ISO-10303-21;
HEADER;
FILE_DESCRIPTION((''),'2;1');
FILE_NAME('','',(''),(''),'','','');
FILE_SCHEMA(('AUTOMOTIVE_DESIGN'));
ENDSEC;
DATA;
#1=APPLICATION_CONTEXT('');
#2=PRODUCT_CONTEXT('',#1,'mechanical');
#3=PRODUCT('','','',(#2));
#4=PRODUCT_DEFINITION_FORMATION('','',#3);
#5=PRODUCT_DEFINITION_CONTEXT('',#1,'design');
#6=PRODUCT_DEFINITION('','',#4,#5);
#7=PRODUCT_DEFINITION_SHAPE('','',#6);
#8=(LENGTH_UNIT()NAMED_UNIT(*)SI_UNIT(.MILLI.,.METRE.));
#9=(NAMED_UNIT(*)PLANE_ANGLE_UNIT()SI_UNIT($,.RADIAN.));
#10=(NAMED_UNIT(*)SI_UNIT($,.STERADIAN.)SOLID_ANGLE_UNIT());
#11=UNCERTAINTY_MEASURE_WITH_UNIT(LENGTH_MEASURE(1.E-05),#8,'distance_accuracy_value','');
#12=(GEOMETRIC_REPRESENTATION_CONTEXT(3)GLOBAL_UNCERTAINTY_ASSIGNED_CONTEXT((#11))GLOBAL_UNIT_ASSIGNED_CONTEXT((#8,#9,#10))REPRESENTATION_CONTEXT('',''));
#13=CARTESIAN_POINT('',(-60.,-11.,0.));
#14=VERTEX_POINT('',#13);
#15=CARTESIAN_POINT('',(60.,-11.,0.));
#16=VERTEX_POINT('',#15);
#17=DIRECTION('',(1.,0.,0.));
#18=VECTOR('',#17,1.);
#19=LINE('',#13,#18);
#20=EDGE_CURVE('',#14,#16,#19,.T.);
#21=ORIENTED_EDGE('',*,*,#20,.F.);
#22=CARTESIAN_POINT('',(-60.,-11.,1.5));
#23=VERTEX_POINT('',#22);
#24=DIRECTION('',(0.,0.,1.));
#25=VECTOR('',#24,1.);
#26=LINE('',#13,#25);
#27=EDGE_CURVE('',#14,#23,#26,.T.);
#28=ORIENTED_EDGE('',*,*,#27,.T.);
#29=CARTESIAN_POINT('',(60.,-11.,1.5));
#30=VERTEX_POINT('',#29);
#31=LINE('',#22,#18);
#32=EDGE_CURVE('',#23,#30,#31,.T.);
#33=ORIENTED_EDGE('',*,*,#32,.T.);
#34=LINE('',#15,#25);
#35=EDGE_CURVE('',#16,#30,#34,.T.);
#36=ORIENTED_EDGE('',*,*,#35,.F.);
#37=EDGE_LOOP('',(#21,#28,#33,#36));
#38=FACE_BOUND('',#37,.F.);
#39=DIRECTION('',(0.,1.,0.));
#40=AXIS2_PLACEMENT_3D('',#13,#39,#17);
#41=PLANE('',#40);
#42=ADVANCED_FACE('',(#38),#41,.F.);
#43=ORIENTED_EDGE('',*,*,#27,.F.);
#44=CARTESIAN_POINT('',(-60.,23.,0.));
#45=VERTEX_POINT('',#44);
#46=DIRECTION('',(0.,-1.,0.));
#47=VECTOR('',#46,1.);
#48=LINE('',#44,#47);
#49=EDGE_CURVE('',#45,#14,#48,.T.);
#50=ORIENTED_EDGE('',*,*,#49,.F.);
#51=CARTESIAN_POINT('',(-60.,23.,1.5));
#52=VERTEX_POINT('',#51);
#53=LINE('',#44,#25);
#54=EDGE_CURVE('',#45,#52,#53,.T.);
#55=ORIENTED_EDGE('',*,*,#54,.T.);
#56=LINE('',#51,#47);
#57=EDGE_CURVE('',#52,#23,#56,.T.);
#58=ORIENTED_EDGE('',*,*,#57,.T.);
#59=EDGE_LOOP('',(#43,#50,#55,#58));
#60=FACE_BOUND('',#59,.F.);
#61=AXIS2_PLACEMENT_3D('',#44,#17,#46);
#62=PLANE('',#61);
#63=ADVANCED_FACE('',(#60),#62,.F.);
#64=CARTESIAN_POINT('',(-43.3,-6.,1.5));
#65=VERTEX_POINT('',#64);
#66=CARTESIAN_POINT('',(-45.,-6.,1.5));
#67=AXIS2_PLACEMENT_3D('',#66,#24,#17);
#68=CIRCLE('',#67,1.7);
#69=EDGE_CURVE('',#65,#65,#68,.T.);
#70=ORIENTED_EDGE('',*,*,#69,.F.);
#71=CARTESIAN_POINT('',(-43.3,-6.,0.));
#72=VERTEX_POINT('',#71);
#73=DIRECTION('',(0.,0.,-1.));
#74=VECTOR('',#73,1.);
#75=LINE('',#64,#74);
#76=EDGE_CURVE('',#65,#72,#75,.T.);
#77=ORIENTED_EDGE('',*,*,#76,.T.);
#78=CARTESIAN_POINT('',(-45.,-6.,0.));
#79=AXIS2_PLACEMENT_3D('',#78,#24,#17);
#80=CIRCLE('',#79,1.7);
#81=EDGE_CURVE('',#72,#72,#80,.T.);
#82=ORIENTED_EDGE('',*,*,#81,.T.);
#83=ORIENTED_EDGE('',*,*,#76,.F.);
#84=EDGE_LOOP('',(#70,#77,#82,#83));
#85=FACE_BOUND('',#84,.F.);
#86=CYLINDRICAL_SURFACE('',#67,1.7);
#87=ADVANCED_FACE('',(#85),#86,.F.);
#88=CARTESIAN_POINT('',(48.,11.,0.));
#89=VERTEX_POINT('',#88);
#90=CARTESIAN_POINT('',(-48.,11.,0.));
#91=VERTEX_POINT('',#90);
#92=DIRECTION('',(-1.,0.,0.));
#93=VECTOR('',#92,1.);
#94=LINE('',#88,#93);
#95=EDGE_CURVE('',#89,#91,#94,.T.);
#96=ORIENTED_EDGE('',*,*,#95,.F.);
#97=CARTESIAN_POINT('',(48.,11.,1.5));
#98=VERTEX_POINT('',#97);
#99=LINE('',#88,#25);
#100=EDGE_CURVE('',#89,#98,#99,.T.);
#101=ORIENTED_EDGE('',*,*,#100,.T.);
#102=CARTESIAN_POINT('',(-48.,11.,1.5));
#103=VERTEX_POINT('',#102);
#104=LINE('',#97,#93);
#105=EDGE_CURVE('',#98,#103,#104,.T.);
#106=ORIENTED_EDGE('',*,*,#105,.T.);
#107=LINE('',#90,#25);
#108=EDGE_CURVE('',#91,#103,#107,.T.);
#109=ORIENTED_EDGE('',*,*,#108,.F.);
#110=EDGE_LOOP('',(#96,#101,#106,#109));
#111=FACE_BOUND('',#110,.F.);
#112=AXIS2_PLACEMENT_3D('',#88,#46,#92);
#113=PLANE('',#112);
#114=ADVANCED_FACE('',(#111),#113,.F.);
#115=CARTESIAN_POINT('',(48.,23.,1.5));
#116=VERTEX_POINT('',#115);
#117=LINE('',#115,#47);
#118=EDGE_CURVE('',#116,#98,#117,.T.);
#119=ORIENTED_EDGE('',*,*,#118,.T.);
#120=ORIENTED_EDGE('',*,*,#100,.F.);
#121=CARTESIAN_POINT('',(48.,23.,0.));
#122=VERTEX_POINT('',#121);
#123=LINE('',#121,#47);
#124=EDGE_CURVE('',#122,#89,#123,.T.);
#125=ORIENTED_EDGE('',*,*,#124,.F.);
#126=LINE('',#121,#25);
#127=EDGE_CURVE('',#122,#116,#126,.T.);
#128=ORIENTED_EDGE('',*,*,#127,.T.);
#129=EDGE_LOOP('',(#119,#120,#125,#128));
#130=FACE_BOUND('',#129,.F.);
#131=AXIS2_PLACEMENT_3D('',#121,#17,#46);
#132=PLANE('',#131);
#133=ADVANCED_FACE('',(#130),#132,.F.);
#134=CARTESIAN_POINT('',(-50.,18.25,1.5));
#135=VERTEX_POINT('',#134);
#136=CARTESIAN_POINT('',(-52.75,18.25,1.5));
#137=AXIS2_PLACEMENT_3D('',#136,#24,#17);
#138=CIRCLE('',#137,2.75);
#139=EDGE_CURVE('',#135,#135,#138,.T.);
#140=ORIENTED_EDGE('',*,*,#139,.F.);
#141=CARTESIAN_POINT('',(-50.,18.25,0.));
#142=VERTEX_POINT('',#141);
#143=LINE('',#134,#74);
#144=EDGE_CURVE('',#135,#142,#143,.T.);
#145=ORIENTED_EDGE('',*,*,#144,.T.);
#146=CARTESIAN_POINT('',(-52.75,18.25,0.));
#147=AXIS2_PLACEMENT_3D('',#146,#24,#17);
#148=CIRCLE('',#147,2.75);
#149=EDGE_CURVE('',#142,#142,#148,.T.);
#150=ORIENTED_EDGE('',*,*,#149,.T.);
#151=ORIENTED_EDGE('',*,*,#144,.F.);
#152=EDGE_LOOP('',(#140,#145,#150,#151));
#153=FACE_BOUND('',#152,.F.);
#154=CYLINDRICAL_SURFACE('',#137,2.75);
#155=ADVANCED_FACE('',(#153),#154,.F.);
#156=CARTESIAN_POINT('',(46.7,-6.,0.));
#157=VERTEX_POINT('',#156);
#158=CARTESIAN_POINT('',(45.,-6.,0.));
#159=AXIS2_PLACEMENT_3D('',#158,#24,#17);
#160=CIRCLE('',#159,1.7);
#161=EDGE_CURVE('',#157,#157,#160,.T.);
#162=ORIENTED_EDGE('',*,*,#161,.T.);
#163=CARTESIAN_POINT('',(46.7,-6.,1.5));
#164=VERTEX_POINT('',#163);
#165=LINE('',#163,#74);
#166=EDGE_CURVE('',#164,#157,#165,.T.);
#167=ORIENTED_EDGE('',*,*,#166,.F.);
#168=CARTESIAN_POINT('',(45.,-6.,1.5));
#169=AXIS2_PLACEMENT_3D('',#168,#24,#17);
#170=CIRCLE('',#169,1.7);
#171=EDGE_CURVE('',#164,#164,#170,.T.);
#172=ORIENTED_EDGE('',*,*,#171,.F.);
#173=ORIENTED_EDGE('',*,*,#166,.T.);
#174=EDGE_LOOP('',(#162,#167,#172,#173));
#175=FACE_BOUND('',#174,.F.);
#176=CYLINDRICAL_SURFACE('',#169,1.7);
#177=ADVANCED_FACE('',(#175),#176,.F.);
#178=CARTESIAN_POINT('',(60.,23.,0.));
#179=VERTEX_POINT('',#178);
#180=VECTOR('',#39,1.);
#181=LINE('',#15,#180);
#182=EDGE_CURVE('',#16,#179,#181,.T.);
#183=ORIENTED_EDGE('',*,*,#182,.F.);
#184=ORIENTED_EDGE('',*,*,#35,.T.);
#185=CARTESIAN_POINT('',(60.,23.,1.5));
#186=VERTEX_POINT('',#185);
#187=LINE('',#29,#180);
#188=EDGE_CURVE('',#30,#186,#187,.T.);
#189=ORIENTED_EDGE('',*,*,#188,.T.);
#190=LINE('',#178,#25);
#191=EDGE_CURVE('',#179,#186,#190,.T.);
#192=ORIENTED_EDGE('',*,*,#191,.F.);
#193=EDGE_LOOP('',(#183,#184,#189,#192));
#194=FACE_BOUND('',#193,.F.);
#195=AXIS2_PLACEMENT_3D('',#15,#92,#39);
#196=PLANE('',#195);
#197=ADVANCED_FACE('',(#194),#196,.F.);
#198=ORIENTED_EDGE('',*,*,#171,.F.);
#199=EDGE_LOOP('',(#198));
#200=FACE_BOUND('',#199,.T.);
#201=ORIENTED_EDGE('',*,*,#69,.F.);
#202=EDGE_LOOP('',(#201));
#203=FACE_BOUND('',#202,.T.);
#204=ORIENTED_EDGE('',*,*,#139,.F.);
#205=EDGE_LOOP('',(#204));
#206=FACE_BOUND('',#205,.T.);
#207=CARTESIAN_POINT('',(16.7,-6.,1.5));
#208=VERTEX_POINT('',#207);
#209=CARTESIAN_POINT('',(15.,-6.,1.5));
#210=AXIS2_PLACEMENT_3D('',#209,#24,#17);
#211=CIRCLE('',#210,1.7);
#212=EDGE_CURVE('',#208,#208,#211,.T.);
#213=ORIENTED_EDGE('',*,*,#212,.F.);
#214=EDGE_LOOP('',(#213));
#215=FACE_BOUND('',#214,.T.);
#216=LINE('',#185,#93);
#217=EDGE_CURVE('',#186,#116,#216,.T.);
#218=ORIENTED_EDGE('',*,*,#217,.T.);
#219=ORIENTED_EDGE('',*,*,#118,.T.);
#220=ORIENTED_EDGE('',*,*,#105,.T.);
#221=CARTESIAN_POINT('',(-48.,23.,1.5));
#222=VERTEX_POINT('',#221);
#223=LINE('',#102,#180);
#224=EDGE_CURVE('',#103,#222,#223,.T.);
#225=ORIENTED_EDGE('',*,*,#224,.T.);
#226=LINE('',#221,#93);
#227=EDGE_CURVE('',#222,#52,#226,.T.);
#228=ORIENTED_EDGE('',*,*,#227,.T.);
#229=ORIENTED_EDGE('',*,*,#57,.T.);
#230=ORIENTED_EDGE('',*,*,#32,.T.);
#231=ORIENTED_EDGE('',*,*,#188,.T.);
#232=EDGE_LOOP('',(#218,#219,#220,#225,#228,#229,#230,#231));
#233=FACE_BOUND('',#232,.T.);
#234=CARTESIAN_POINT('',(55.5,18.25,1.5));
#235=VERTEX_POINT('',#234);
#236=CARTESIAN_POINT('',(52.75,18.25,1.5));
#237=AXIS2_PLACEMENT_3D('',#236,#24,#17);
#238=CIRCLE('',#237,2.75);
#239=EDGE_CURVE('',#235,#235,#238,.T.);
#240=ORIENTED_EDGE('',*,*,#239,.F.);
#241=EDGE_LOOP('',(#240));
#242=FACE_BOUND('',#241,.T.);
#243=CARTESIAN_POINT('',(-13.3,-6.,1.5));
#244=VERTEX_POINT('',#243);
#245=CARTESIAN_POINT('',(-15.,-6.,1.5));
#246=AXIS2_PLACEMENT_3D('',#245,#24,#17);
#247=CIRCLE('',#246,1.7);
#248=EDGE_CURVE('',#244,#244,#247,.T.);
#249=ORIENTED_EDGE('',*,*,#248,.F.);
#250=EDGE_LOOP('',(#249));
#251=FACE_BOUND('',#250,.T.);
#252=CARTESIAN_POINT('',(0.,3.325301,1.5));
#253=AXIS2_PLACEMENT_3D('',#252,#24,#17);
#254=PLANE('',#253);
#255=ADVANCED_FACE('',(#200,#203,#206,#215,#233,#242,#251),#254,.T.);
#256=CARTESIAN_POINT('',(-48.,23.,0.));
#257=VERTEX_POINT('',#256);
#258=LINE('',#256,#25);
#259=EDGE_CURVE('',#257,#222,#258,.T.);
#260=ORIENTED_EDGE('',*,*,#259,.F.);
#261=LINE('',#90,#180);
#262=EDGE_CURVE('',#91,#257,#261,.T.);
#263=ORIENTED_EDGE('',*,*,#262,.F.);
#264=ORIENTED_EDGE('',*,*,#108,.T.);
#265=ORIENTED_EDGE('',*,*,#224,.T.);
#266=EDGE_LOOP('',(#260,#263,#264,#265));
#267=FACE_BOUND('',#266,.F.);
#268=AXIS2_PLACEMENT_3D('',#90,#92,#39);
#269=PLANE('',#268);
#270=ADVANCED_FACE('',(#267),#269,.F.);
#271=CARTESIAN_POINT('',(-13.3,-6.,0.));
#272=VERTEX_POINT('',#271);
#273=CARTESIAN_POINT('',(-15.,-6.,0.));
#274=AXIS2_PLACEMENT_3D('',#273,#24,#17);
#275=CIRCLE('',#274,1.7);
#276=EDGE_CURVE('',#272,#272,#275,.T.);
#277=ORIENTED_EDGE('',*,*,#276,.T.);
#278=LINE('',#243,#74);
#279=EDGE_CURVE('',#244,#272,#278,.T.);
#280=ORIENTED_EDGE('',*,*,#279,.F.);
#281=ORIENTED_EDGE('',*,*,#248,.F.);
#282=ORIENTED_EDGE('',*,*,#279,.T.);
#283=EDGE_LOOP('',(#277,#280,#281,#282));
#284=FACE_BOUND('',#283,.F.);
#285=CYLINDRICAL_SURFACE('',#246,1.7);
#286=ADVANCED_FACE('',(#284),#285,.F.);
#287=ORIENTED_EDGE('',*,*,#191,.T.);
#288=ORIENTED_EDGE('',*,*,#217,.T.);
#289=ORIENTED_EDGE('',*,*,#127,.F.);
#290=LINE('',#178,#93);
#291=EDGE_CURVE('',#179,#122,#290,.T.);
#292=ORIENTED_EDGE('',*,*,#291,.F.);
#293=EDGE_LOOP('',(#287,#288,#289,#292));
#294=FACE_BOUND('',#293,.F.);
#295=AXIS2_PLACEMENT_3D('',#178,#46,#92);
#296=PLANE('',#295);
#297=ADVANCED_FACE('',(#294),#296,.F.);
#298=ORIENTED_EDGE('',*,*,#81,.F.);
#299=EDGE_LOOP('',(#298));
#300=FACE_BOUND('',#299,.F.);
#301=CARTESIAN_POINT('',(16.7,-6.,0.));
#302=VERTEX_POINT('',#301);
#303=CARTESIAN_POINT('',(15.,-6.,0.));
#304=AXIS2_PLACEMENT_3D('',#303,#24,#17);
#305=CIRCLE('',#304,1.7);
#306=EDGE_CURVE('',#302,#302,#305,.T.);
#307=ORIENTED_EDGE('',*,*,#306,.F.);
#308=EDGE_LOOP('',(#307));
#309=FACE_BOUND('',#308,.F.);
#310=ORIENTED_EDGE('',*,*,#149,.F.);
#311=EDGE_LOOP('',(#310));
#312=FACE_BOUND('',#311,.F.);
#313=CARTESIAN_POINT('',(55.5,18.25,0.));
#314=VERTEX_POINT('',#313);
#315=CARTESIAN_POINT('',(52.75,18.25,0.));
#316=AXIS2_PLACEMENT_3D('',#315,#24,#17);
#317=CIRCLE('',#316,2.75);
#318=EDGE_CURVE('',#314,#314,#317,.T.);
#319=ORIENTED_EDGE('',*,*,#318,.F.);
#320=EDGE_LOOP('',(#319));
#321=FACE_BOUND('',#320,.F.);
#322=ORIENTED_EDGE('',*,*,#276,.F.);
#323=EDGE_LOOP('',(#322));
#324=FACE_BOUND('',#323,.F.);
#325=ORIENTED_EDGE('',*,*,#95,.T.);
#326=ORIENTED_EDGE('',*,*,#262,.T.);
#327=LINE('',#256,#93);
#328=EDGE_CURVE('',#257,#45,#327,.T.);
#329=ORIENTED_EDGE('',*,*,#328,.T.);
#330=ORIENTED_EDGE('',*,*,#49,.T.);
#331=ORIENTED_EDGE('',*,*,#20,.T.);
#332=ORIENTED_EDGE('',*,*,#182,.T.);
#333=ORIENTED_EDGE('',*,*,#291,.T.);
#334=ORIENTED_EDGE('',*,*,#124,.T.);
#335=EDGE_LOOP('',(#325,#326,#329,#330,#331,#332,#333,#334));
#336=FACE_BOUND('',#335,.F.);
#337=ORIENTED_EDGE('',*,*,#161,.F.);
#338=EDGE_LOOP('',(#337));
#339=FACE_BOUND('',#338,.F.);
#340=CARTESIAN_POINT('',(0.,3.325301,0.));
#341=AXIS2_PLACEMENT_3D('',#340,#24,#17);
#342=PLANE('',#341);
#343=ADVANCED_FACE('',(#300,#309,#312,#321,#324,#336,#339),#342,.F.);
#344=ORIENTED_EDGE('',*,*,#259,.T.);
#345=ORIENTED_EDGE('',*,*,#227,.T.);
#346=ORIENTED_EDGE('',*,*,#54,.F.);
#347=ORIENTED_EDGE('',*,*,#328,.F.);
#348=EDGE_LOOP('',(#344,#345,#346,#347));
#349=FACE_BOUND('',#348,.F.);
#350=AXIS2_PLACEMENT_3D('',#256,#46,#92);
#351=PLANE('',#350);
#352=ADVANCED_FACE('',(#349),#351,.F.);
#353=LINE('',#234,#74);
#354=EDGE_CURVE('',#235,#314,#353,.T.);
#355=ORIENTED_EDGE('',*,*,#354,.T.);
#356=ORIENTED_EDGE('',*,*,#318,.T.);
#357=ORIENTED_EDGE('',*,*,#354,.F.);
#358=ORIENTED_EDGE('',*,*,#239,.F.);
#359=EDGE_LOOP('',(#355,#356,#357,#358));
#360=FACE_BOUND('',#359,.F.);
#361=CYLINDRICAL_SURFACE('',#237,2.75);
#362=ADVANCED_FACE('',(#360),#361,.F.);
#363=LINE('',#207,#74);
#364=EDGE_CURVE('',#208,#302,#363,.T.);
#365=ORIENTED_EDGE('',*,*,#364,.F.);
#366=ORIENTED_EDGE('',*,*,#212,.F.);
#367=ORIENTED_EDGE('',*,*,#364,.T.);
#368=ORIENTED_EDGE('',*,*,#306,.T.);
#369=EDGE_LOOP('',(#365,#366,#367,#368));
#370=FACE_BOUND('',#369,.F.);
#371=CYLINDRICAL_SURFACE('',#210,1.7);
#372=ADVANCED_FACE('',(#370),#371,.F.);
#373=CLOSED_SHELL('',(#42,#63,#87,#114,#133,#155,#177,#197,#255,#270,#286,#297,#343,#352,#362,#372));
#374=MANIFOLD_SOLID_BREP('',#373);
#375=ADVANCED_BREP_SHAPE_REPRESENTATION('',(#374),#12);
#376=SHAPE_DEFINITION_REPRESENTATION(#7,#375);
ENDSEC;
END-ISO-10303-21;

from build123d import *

# Parameters (mm, degrees)
PAD_DEPTH     = 1.5
SKETCH001_R   = 1.7
HOLE_DEPTH    = 25
SKETCH002_R   = 2.75
HOLE001_DEPTH = 25


with BuildPart() as part:
    # Sketch → Pad (new body)
    with BuildSketch(Plane.XY):
        Polygon((-60, 11), (-60, -11), (60, -11), (60, 11), (60, 23), (48, 23), (48, 11), (-48, 11), (-48, 23), (-60, 23), align=None)
    extrude(amount=PAD_DEPTH)

    # Sketch001 (on Face8 of Pad) → Hole (cut)
    with BuildSketch(Plane.XY.offset(1.5)):
        with Locations((-45, -6)):
            Circle(SKETCH001_R)
        with Locations((-15, -6)):
            Circle(SKETCH001_R)
        with Locations((15, -6)):
            Circle(SKETCH001_R)
        with Locations((45, -6)):
            Circle(SKETCH001_R)
    extrude(amount=-HOLE_DEPTH, mode=Mode.SUBTRACT)

    # Sketch002 (on Face5 of Hole) → Hole001 (cut)
    with BuildSketch(Plane.XY.offset(1.5)):
        with Locations((52.75, 18.25)):
            Circle(SKETCH002_R)
        with Locations((-52.75, 18.25)):
            Circle(SKETCH002_R)
    extrude(amount=-HOLE001_DEPTH, mode=Mode.SUBTRACT)


solid = part.part
